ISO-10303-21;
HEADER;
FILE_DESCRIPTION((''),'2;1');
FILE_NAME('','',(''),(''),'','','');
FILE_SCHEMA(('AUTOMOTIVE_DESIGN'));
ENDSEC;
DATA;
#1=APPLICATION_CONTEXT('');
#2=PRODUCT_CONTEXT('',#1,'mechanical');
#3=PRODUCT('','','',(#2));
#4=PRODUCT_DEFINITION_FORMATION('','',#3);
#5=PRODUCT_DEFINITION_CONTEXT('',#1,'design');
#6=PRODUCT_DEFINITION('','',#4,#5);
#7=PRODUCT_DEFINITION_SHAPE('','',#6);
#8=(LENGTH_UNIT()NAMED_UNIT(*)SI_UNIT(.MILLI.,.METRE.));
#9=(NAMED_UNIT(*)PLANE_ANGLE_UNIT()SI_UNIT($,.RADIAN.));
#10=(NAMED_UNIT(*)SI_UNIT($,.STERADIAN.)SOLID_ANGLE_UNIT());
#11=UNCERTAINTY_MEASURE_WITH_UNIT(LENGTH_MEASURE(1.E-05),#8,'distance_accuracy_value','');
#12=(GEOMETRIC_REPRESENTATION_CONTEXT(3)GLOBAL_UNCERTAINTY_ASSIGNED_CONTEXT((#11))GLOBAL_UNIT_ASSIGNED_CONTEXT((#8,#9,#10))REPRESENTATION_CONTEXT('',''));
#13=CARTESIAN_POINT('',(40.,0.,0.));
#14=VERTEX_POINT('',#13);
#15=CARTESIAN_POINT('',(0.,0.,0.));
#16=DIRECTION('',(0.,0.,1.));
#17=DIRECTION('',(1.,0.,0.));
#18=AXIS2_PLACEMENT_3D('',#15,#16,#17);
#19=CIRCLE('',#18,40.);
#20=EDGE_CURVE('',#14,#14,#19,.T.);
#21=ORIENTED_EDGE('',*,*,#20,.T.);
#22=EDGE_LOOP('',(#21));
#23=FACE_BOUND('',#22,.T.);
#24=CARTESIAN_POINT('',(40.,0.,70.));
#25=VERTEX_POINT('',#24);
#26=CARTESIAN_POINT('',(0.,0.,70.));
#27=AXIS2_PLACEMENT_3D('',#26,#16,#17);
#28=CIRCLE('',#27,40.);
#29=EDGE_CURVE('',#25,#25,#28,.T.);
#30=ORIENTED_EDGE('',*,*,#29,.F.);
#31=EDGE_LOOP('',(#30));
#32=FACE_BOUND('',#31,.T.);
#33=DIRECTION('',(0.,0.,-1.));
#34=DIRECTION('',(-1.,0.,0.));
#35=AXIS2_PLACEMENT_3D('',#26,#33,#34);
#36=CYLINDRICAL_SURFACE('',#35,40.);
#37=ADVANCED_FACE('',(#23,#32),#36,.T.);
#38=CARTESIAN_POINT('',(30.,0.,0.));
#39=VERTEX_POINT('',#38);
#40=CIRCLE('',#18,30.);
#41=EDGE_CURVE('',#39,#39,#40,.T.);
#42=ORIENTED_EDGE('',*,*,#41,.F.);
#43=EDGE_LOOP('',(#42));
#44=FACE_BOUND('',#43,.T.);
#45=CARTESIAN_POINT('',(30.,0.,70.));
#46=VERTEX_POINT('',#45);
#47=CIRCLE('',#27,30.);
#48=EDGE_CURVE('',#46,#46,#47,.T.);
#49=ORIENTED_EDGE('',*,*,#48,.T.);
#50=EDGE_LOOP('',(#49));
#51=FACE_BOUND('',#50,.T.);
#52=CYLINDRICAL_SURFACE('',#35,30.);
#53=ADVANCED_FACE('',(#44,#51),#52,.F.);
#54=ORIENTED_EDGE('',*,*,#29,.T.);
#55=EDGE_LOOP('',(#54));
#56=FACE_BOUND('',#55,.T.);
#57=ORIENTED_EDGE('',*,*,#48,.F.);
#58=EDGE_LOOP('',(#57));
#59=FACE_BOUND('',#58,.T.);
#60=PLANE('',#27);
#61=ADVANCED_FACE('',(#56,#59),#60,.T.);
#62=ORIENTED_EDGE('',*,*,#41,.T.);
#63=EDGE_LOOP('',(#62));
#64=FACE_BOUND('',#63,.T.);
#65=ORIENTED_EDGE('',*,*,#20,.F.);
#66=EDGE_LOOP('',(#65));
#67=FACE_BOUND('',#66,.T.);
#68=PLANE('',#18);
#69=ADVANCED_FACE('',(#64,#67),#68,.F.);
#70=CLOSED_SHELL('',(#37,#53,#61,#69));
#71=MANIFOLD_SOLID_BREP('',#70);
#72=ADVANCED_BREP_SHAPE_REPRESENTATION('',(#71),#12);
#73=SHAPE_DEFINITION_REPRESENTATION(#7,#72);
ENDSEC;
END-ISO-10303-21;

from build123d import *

# Parameters (mm, degrees)
IZIM1_R                     = 40
IZIM1_R_2                   = 30
Y_KSEKLIK_EKSTR_ZYON1_DEPTH = 70


with BuildPart() as part:
    # Çizim1 → Yükseklik-Ekstrüzyon1 (new body)
    with BuildSketch(Plane.XY):
        Circle(IZIM1_R)
        Circle(IZIM1_R_2, mode=Mode.SUBTRACT)
    extrude(amount=Y_KSEKLIK_EKSTR_ZYON1_DEPTH)


solid = part.part
